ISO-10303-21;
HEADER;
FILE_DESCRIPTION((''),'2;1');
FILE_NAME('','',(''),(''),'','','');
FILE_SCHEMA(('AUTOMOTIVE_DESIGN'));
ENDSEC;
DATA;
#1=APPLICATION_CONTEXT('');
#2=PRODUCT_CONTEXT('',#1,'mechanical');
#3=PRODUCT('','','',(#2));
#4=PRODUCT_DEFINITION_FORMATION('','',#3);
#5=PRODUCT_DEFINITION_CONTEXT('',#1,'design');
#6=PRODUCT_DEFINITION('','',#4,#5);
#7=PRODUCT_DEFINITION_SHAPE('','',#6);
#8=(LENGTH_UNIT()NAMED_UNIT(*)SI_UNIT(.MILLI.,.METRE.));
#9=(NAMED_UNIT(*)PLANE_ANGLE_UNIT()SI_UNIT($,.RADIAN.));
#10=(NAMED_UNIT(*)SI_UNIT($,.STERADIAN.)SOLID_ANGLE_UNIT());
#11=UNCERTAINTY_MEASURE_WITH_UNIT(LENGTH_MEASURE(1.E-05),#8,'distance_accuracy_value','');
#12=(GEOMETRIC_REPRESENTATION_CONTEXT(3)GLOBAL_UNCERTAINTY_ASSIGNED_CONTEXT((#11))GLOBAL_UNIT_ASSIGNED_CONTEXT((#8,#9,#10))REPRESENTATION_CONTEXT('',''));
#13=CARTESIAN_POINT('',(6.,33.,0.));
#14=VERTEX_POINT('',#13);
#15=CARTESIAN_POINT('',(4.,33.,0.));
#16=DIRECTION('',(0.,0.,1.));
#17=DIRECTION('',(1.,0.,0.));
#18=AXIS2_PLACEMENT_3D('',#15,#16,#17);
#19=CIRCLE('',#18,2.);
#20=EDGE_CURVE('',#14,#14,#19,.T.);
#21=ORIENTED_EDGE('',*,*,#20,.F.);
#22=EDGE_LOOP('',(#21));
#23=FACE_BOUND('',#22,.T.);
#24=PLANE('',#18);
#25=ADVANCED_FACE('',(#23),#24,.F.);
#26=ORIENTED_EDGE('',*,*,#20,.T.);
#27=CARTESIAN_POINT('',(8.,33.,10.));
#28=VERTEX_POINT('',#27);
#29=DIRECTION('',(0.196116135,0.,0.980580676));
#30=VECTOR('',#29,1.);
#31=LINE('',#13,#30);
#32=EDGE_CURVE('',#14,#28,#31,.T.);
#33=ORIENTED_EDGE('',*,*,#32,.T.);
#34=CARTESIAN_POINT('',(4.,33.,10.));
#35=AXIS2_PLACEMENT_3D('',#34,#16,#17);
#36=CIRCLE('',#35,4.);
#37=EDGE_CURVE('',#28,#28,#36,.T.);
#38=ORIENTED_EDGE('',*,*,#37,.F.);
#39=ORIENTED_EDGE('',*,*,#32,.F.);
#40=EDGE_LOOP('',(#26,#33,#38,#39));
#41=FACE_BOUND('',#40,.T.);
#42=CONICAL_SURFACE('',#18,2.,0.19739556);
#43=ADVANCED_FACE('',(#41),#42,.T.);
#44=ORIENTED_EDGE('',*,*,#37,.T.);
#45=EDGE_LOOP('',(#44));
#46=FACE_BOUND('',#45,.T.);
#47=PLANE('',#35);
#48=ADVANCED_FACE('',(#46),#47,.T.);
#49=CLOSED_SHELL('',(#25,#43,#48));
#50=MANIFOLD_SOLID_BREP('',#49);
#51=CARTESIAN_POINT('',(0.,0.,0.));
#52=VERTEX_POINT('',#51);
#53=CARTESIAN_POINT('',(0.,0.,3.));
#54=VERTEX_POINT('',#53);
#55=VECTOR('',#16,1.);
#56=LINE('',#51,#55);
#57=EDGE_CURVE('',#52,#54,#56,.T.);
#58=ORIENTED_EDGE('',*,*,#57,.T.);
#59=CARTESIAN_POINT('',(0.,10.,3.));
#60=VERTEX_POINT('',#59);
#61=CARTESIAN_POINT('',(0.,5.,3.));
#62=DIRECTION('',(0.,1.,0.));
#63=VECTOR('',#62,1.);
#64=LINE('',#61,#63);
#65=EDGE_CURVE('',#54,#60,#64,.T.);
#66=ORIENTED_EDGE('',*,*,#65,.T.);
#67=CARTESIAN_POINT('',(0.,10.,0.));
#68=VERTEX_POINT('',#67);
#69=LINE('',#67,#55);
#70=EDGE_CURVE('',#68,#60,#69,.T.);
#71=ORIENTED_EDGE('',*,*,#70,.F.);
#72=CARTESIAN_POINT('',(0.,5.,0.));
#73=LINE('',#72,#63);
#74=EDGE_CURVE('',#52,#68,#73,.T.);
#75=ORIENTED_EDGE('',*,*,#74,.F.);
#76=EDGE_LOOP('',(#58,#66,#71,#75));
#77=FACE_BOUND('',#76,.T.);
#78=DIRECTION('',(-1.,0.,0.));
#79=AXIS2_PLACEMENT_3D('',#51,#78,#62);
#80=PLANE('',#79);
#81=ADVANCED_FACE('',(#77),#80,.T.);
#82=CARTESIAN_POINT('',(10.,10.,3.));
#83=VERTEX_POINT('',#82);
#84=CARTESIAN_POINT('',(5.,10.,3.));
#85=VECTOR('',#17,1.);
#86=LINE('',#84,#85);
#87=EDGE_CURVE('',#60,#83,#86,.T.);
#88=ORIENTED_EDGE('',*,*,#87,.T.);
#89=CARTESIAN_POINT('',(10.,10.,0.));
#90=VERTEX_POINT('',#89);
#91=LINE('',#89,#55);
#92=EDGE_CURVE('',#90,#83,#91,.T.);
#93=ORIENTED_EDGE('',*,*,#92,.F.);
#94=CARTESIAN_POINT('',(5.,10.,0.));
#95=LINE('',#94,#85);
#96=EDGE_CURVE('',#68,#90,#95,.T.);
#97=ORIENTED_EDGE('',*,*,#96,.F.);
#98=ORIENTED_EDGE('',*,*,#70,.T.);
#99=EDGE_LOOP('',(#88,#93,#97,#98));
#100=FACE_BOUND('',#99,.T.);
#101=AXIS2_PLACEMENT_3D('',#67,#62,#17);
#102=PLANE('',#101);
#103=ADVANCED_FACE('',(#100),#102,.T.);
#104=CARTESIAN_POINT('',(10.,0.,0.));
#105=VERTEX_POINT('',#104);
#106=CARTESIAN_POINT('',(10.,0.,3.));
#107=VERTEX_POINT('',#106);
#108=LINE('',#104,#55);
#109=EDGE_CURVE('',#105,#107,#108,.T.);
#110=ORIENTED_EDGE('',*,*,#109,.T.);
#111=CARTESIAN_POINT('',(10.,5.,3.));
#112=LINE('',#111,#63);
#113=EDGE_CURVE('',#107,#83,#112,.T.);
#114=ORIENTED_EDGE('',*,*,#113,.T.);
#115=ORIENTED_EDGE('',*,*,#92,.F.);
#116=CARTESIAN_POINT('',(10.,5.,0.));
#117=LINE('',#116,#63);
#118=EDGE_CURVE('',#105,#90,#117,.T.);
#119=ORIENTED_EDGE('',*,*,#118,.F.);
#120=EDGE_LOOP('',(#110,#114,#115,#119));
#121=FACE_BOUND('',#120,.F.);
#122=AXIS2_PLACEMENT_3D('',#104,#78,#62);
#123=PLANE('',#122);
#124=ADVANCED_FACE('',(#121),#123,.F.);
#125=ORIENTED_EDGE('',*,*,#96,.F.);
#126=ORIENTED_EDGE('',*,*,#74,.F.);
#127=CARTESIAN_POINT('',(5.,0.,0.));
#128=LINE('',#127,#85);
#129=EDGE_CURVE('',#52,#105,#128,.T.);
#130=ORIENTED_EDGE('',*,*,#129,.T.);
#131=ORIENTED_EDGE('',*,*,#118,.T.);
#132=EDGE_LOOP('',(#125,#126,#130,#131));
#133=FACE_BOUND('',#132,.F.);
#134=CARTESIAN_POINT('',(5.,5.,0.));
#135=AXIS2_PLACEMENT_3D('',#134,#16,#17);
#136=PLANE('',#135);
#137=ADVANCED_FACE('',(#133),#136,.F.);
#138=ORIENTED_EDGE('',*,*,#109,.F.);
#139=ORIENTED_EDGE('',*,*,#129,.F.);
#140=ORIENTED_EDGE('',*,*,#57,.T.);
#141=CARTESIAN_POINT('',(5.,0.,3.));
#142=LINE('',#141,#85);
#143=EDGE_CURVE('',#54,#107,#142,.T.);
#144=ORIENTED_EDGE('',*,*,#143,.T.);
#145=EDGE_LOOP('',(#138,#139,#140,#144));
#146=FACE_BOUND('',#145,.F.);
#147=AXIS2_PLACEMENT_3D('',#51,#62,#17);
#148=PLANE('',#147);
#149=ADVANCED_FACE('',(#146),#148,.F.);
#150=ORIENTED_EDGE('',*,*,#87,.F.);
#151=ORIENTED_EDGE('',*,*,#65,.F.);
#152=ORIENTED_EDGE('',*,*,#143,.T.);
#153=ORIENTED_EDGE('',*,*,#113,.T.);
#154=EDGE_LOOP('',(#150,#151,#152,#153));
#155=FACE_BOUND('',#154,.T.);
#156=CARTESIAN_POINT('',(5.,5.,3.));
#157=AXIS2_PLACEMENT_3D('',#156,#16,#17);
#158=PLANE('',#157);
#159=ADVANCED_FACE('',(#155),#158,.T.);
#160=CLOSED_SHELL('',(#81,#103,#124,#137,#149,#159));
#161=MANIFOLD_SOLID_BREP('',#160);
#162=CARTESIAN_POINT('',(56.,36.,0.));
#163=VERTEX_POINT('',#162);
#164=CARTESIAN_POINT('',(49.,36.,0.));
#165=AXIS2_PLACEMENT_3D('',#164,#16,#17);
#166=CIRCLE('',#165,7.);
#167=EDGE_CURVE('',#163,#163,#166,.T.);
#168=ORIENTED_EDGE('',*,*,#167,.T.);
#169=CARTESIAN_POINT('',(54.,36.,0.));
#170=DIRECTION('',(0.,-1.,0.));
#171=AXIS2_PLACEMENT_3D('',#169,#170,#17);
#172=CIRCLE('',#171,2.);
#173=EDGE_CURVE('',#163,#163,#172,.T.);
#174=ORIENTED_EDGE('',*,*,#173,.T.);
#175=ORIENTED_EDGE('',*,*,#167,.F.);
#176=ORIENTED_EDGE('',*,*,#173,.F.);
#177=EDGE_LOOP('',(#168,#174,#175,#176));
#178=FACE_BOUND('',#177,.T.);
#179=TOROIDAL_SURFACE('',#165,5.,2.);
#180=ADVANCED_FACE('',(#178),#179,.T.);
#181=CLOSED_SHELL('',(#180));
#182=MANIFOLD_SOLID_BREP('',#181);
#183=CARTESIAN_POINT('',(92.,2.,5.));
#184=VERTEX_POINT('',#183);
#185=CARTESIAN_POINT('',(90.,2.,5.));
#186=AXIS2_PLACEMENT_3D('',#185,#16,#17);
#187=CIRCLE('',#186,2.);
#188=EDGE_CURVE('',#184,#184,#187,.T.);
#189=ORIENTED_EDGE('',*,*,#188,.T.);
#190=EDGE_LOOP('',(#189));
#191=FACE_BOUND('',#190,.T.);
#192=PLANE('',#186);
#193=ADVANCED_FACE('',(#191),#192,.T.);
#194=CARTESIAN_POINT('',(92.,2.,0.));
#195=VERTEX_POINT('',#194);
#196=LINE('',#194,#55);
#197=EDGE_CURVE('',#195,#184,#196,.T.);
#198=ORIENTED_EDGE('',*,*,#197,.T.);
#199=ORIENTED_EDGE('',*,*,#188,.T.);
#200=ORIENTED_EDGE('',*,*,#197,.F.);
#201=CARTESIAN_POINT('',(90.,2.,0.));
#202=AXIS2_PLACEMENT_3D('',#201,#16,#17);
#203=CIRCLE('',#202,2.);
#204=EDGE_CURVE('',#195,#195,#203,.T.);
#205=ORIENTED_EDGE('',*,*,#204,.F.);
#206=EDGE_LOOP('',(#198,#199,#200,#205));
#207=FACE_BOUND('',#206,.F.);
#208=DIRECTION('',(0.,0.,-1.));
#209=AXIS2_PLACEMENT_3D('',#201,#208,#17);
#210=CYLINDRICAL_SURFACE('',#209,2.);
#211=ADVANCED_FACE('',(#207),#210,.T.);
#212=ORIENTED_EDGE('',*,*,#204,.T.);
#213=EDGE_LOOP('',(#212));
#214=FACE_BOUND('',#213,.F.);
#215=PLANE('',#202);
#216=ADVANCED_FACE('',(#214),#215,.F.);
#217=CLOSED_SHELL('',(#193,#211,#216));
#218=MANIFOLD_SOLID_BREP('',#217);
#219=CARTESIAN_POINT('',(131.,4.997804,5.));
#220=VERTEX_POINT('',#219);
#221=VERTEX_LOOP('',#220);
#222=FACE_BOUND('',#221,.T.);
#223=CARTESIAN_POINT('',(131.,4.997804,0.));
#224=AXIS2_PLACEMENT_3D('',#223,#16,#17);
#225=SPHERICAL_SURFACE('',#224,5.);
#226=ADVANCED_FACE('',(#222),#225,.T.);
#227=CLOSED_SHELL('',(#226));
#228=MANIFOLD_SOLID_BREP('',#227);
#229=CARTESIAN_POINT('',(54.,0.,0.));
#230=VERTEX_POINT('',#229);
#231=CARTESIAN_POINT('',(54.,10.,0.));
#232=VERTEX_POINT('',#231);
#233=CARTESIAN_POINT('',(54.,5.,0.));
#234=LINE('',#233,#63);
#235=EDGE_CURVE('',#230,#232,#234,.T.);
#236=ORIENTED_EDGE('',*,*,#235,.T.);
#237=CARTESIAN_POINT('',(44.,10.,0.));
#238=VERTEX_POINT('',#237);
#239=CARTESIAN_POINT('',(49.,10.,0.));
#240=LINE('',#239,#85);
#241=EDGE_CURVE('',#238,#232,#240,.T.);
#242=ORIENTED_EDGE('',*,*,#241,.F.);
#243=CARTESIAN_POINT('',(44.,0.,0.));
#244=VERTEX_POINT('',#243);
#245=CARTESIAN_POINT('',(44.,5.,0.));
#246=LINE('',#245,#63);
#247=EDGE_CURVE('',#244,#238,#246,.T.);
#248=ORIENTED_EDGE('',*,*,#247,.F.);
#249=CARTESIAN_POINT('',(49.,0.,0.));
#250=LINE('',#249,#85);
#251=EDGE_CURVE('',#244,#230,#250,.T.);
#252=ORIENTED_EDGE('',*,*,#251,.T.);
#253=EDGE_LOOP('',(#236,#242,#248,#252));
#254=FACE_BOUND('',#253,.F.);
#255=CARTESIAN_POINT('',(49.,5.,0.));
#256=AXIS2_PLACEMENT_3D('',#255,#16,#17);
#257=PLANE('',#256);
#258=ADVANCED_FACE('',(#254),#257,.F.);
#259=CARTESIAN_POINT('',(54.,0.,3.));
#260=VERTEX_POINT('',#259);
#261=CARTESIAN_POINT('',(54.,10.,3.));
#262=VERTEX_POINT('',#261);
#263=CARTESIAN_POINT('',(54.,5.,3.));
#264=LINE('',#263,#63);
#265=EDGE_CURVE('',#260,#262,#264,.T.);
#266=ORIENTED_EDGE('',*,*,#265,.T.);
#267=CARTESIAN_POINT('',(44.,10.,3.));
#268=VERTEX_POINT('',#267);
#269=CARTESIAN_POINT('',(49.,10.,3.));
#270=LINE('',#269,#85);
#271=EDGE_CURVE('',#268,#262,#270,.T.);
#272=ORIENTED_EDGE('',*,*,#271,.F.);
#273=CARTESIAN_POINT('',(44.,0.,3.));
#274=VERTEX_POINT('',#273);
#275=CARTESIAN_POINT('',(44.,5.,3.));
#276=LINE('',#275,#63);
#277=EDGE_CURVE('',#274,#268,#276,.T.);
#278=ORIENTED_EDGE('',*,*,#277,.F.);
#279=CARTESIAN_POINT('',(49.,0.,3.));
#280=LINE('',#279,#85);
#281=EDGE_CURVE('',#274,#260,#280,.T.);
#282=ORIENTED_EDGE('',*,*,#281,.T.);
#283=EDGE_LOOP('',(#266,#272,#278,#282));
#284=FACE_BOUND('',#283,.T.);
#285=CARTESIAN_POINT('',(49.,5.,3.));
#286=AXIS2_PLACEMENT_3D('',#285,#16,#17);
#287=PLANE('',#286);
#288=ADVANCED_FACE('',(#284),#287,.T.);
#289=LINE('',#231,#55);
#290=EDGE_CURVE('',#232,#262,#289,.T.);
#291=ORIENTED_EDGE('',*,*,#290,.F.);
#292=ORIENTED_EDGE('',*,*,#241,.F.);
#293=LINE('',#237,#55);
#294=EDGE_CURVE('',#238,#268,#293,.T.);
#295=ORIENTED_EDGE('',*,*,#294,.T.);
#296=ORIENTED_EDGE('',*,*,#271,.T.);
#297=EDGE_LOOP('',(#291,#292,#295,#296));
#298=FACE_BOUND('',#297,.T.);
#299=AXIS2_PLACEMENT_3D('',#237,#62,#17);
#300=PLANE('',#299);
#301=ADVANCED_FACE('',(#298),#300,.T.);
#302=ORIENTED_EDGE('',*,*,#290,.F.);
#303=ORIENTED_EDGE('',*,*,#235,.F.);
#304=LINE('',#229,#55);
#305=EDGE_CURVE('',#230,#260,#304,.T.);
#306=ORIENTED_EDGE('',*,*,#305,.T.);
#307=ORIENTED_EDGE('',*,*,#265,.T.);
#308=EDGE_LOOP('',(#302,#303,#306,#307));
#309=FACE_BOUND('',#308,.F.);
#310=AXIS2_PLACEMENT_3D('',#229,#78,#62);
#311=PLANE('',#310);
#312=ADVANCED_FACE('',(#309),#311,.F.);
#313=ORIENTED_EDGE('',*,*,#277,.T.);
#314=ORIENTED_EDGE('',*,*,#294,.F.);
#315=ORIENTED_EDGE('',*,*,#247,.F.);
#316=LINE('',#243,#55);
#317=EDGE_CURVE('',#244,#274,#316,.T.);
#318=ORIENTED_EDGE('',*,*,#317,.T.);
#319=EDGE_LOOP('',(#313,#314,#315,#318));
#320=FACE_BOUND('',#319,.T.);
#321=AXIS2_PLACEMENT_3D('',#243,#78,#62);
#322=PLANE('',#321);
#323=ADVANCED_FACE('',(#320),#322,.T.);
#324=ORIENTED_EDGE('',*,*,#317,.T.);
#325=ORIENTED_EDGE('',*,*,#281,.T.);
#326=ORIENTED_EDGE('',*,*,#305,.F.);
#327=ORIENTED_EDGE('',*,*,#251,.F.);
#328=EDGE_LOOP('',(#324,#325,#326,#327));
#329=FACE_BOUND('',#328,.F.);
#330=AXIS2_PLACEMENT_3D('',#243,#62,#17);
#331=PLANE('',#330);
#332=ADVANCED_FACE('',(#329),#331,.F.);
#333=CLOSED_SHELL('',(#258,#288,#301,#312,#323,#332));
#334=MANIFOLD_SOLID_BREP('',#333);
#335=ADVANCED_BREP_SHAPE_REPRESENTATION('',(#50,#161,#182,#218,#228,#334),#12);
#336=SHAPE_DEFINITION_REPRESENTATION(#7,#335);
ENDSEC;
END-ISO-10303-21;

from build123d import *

# Parameters (mm, degrees)
BOX_W          = 10
BOX_H          = 10
BOX_DEPTH      = 3
BOX001_W       = 10
BOX001_H       = 10
BOX001_DEPTH   = 3
CYLINDER_R     = 2
CYLINDER_DEPTH = 5
TORUS_R        = 2


with BuildPart() as cube:
    # Box → Box (new body)
    with BuildSketch(Plane.XY):
        with Locations((5, 5)):
            Rectangle(BOX_W, BOX_H)
    extrude(amount=BOX_DEPTH)


with BuildPart() as cube001:
    # Box001 → Box001 (new body)
    with BuildSketch(Plane(origin=(44, 0, 0), x_dir=(1, 0, 0), z_dir=(0, 0, 1))):
        with Locations((5, 5)):
            Rectangle(BOX001_W, BOX001_H)
    extrude(amount=BOX001_DEPTH)


with BuildPart() as cylinder:
    # Cylinder → Cylinder (new body)
    with BuildSketch(Plane(origin=(90, 2, 0), x_dir=(1, 0, 0), z_dir=(0, 0, 1))):
        Circle(CYLINDER_R)
    extrude(amount=CYLINDER_DEPTH)


with BuildPart() as sphere:
    # Sphere → Sphere (revolve)
    with BuildSketch(Plane(origin=(131, 4.997804, 0), x_dir=(1, 0, 0), z_dir=(0, -1, 0))):
        with BuildLine():
            ThreePointArc((0, -5), (5, 0), (0, 5))
            Line((0, 5), (0, -5))
        make_face()
    revolve(axis=Axis((131, 4.997804, 0), (0, 0, 1)))


with BuildPart() as cone:
    # Cone → Cone (revolve)
    with BuildSketch(Plane(origin=(4, 33, 0), x_dir=(1, 0, 0), z_dir=(0, -1, 0))):
        Polygon((0, 0), (2, 0), (4, 10), (0, 10), align=None)
    revolve(axis=Axis((4, 33, 0), (0, 0, 1)))


with BuildPart() as torus:
    # Torus → Torus (revolve)
    with BuildSketch(Plane(origin=(49, 36, 0), x_dir=(1, 0, 0), z_dir=(0, -1, 0))):
        with Locations((5, 0)):
            Circle(TORUS_R)
    revolve(axis=Axis((49, 36, 0), (0, 0, 1)))


solid = Compound([cube.part, cube001.part, cylinder.part, sphere.part, cone.part, torus.part])
